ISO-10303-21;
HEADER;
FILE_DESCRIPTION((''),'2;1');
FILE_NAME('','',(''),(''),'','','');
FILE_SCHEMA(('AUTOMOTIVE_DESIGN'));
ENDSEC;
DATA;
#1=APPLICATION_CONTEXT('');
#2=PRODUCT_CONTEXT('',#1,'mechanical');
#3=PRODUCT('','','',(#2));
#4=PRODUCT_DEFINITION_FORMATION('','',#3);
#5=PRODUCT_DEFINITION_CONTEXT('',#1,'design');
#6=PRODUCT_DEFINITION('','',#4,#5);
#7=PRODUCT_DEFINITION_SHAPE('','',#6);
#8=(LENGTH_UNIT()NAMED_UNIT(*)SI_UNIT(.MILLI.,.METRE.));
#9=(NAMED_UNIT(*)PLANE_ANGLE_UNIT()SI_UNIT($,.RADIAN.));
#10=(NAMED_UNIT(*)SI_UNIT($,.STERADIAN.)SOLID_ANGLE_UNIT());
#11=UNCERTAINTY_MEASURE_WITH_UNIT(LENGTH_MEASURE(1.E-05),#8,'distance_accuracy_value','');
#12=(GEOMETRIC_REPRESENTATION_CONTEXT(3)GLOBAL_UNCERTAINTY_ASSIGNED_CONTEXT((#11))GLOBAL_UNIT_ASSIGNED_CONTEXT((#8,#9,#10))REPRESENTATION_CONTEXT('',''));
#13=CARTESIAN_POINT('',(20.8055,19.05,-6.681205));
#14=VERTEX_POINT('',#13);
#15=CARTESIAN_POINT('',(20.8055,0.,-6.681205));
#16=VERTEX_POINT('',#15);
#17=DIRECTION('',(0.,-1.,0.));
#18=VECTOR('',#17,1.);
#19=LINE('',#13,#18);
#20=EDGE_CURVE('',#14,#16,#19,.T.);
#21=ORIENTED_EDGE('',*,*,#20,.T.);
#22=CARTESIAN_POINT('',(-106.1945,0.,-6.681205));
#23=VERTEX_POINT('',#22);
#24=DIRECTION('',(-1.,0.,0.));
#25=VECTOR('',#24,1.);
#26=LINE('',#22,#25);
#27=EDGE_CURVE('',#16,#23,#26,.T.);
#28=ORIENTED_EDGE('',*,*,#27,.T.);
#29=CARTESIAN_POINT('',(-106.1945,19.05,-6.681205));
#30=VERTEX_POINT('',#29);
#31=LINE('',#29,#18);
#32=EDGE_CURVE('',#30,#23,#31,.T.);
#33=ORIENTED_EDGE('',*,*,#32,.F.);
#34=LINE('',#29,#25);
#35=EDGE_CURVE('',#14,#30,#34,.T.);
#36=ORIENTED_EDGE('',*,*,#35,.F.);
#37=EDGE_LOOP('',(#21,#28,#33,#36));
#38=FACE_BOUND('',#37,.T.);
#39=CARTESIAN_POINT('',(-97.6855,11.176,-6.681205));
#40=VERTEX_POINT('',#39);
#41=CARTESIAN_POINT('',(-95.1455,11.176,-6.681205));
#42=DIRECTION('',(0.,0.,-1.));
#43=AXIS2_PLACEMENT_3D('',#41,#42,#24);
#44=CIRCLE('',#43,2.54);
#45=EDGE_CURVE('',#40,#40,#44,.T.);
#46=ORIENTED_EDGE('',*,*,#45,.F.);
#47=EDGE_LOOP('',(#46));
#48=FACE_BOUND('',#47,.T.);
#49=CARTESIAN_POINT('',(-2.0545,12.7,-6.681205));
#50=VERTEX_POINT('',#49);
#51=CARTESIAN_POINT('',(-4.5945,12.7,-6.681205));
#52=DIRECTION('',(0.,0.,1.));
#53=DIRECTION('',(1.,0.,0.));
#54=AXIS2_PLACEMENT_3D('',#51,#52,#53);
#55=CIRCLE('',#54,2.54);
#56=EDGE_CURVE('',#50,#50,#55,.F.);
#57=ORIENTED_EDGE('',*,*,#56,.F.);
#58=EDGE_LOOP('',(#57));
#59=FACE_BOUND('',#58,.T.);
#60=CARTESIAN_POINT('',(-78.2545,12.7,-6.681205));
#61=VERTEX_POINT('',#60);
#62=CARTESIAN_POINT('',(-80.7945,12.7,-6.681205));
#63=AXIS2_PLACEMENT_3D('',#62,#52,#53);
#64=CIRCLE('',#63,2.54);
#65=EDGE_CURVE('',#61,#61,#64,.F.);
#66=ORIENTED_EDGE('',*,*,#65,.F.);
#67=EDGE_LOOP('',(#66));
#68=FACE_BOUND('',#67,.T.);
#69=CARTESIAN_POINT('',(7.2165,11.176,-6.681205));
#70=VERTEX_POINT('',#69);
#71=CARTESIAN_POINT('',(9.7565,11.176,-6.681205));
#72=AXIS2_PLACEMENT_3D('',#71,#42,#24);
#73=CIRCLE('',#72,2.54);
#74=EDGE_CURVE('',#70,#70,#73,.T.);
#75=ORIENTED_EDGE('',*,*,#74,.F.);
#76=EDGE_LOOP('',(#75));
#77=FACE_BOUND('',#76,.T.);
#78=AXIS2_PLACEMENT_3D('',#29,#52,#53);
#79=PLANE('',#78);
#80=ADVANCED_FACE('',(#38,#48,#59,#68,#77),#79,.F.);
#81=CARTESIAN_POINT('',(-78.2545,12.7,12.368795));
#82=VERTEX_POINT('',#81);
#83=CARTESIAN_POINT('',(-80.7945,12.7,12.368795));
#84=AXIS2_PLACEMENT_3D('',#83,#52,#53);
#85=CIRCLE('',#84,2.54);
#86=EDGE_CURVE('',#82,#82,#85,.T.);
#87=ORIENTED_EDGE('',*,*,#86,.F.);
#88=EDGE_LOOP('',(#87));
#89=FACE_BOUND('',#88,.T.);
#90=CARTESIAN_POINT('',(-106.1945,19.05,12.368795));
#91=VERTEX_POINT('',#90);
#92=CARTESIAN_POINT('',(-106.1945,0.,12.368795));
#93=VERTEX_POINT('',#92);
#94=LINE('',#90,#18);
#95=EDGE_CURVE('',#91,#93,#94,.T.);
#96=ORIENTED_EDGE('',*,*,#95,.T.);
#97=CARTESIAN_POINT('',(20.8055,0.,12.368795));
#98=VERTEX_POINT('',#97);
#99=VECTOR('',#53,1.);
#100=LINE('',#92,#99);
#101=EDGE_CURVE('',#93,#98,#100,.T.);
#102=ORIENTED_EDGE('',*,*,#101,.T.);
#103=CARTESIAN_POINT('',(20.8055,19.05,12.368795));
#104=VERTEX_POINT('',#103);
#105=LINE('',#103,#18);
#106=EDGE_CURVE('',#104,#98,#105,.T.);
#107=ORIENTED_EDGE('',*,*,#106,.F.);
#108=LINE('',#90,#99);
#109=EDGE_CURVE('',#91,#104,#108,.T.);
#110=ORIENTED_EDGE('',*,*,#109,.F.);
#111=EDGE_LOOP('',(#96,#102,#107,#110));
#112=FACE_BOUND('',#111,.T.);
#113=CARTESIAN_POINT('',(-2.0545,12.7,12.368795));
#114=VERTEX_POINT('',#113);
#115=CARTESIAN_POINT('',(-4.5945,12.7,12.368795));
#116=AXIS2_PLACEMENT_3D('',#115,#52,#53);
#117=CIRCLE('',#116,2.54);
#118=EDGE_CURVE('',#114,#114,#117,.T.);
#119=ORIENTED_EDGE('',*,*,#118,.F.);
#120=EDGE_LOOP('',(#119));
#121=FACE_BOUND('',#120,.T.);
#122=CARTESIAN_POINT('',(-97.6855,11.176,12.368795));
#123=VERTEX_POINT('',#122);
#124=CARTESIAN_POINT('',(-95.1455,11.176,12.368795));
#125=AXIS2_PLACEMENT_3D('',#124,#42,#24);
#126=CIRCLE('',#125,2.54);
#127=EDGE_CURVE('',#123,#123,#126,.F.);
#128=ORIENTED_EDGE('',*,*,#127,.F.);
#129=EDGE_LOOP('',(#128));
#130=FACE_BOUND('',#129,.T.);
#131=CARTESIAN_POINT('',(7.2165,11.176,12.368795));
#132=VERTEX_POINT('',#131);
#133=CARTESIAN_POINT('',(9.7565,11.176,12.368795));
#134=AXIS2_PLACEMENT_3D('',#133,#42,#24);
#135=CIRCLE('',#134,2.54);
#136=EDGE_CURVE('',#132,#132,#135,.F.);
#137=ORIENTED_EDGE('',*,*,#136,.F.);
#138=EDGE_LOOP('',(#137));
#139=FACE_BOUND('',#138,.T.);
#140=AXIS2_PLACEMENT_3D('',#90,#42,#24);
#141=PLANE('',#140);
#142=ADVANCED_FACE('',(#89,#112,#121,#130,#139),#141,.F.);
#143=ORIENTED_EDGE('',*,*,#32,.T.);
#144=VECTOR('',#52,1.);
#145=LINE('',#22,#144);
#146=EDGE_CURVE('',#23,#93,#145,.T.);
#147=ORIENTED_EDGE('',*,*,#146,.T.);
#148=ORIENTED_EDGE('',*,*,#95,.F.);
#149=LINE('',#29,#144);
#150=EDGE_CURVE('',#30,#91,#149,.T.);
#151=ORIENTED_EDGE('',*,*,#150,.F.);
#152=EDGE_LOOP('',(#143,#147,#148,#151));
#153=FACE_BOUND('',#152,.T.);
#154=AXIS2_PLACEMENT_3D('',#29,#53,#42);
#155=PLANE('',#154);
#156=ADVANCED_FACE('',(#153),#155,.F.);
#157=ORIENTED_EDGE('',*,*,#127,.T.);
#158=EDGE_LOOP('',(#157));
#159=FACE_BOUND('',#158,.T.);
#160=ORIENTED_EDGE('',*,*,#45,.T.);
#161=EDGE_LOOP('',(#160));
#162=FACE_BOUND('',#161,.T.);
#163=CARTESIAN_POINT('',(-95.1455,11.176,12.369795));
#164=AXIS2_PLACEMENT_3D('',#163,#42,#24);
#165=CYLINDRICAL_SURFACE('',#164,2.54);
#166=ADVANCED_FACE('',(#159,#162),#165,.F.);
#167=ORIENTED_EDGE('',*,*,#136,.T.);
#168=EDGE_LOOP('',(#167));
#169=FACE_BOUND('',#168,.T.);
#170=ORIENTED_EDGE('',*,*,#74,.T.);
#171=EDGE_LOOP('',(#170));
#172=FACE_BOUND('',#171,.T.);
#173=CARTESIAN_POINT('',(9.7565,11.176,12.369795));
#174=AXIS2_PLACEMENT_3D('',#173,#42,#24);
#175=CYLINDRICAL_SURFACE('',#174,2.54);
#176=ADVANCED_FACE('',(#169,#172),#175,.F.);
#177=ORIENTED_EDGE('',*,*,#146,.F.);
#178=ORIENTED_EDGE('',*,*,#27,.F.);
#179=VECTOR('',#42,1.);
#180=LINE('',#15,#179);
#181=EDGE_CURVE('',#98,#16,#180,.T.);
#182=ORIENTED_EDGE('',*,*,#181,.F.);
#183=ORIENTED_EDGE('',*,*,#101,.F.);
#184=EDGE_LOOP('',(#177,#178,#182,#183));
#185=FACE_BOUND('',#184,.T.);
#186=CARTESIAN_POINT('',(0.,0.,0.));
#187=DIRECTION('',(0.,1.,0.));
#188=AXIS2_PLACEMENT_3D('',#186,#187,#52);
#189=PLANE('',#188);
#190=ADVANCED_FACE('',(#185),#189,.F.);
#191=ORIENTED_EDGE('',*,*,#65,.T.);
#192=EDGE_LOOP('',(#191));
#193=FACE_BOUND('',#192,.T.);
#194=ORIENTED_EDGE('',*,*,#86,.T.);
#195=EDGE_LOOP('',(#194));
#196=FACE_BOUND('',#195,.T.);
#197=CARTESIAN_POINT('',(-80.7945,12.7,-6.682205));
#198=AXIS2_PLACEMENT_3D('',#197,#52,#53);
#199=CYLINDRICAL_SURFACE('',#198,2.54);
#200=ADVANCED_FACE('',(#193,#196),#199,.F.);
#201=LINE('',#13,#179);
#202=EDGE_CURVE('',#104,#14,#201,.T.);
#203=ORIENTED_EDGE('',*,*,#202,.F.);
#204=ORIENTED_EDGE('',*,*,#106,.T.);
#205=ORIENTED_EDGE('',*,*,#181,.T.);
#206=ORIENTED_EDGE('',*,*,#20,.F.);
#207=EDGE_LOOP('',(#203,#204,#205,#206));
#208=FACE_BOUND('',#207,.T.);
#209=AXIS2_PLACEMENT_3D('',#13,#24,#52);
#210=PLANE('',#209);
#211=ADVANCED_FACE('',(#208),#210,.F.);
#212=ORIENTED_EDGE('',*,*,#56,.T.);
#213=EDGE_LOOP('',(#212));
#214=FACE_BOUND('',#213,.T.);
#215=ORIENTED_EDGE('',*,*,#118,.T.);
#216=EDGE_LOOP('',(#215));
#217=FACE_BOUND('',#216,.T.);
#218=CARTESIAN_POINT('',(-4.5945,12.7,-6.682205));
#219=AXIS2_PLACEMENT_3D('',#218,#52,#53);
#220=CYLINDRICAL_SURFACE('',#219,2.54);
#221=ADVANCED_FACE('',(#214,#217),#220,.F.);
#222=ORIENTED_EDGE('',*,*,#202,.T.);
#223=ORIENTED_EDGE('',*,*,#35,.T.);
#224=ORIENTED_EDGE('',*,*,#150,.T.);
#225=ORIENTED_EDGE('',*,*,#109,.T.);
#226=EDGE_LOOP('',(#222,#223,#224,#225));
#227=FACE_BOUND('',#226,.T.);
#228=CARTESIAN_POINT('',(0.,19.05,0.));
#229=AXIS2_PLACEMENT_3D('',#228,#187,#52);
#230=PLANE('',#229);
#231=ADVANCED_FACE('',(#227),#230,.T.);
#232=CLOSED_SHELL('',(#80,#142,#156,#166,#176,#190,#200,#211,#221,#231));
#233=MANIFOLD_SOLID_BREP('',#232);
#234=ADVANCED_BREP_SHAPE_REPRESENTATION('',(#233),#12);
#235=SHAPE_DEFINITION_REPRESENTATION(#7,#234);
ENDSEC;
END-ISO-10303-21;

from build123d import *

# Parameters (mm, degrees)
SKETCH1_W           = 127
SKETCH1_H           = 19.05
BOSS_EXTRUDE1_DEPTH = 19.05
CUT_EXTRUDE1_REACH  = 111.559
SKETCH2_R           = 2.54
CUT_EXTRUDE2_REACH  = 111.559
SKETCH3_R           = 2.54


with BuildPart() as part:
    # Sketch1 → Boss-Extrude1 (new body)
    with BuildSketch(Plane(origin=(0, 0, 0), x_dir=(1, 0, 0), z_dir=(0, 1, 0))):
        with Locations((-42.694499973, -2.843794964)):
            Rectangle(SKETCH1_W, SKETCH1_H)
    extrude(amount=BOSS_EXTRUDE1_DEPTH)

    # Sketch2 → Cut-Extrude1 (cut, up to next)
    with BuildSketch(Plane.XY.offset(12.368794964), mode=Mode.PRIVATE) as cut_extrude1_sk1:
        with Locations((-4.594499973, 12.7)):
            Circle(SKETCH2_R)
    cut_extrude1_tool1 = extrude(cut_extrude1_sk1.sketch, amount=-CUT_EXTRUDE1_REACH, mode=Mode.PRIVATE) & part.part
    # Sketch2 → Cut-Extrude1 (cut, up to next)
    with BuildSketch(Plane.XY.offset(12.368794964), mode=Mode.PRIVATE) as cut_extrude1_sk2:
        with Locations((-80.794499973, 12.7)):
            Circle(SKETCH2_R)
    cut_extrude1_tool2 = extrude(cut_extrude1_sk2.sketch, amount=-CUT_EXTRUDE1_REACH, mode=Mode.PRIVATE) & part.part
    add(cut_extrude1_tool1.solids().sort_by_distance((-4.5945, 12.7, 12.368795))[0], mode=Mode.SUBTRACT)
    add(cut_extrude1_tool2.solids().sort_by_distance((-80.7945, 12.7, 12.368795))[0], mode=Mode.SUBTRACT)

    # Sketch3 → Cut-Extrude2 (cut, up to next)
    with BuildSketch(Plane(origin=(0, 0, -6.681205036), x_dir=(-1, 0, 0), z_dir=(0, 0, -1)), mode=Mode.PRIVATE) as cut_extrude2_sk1:
        with Locations((95.145499973, 11.176)):
            Circle(SKETCH3_R)
    cut_extrude2_tool1 = extrude(cut_extrude2_sk1.sketch, amount=-CUT_EXTRUDE2_REACH, mode=Mode.PRIVATE) & part.part
    # Sketch3 → Cut-Extrude2 (cut, up to next)
    with BuildSketch(Plane(origin=(0, 0, -6.681205036), x_dir=(-1, 0, 0), z_dir=(0, 0, -1)), mode=Mode.PRIVATE) as cut_extrude2_sk2:
        with Locations((-9.756500027, 11.176)):
            Circle(SKETCH3_R)
    cut_extrude2_tool2 = extrude(cut_extrude2_sk2.sketch, amount=-CUT_EXTRUDE2_REACH, mode=Mode.PRIVATE) & part.part
    add(cut_extrude2_tool1.solids().sort_by_distance((-95.1455, 11.176, -6.681205))[0], mode=Mode.SUBTRACT)
    add(cut_extrude2_tool2.solids().sort_by_distance((9.7565, 11.176, -6.681205))[0], mode=Mode.SUBTRACT)


solid = part.part
